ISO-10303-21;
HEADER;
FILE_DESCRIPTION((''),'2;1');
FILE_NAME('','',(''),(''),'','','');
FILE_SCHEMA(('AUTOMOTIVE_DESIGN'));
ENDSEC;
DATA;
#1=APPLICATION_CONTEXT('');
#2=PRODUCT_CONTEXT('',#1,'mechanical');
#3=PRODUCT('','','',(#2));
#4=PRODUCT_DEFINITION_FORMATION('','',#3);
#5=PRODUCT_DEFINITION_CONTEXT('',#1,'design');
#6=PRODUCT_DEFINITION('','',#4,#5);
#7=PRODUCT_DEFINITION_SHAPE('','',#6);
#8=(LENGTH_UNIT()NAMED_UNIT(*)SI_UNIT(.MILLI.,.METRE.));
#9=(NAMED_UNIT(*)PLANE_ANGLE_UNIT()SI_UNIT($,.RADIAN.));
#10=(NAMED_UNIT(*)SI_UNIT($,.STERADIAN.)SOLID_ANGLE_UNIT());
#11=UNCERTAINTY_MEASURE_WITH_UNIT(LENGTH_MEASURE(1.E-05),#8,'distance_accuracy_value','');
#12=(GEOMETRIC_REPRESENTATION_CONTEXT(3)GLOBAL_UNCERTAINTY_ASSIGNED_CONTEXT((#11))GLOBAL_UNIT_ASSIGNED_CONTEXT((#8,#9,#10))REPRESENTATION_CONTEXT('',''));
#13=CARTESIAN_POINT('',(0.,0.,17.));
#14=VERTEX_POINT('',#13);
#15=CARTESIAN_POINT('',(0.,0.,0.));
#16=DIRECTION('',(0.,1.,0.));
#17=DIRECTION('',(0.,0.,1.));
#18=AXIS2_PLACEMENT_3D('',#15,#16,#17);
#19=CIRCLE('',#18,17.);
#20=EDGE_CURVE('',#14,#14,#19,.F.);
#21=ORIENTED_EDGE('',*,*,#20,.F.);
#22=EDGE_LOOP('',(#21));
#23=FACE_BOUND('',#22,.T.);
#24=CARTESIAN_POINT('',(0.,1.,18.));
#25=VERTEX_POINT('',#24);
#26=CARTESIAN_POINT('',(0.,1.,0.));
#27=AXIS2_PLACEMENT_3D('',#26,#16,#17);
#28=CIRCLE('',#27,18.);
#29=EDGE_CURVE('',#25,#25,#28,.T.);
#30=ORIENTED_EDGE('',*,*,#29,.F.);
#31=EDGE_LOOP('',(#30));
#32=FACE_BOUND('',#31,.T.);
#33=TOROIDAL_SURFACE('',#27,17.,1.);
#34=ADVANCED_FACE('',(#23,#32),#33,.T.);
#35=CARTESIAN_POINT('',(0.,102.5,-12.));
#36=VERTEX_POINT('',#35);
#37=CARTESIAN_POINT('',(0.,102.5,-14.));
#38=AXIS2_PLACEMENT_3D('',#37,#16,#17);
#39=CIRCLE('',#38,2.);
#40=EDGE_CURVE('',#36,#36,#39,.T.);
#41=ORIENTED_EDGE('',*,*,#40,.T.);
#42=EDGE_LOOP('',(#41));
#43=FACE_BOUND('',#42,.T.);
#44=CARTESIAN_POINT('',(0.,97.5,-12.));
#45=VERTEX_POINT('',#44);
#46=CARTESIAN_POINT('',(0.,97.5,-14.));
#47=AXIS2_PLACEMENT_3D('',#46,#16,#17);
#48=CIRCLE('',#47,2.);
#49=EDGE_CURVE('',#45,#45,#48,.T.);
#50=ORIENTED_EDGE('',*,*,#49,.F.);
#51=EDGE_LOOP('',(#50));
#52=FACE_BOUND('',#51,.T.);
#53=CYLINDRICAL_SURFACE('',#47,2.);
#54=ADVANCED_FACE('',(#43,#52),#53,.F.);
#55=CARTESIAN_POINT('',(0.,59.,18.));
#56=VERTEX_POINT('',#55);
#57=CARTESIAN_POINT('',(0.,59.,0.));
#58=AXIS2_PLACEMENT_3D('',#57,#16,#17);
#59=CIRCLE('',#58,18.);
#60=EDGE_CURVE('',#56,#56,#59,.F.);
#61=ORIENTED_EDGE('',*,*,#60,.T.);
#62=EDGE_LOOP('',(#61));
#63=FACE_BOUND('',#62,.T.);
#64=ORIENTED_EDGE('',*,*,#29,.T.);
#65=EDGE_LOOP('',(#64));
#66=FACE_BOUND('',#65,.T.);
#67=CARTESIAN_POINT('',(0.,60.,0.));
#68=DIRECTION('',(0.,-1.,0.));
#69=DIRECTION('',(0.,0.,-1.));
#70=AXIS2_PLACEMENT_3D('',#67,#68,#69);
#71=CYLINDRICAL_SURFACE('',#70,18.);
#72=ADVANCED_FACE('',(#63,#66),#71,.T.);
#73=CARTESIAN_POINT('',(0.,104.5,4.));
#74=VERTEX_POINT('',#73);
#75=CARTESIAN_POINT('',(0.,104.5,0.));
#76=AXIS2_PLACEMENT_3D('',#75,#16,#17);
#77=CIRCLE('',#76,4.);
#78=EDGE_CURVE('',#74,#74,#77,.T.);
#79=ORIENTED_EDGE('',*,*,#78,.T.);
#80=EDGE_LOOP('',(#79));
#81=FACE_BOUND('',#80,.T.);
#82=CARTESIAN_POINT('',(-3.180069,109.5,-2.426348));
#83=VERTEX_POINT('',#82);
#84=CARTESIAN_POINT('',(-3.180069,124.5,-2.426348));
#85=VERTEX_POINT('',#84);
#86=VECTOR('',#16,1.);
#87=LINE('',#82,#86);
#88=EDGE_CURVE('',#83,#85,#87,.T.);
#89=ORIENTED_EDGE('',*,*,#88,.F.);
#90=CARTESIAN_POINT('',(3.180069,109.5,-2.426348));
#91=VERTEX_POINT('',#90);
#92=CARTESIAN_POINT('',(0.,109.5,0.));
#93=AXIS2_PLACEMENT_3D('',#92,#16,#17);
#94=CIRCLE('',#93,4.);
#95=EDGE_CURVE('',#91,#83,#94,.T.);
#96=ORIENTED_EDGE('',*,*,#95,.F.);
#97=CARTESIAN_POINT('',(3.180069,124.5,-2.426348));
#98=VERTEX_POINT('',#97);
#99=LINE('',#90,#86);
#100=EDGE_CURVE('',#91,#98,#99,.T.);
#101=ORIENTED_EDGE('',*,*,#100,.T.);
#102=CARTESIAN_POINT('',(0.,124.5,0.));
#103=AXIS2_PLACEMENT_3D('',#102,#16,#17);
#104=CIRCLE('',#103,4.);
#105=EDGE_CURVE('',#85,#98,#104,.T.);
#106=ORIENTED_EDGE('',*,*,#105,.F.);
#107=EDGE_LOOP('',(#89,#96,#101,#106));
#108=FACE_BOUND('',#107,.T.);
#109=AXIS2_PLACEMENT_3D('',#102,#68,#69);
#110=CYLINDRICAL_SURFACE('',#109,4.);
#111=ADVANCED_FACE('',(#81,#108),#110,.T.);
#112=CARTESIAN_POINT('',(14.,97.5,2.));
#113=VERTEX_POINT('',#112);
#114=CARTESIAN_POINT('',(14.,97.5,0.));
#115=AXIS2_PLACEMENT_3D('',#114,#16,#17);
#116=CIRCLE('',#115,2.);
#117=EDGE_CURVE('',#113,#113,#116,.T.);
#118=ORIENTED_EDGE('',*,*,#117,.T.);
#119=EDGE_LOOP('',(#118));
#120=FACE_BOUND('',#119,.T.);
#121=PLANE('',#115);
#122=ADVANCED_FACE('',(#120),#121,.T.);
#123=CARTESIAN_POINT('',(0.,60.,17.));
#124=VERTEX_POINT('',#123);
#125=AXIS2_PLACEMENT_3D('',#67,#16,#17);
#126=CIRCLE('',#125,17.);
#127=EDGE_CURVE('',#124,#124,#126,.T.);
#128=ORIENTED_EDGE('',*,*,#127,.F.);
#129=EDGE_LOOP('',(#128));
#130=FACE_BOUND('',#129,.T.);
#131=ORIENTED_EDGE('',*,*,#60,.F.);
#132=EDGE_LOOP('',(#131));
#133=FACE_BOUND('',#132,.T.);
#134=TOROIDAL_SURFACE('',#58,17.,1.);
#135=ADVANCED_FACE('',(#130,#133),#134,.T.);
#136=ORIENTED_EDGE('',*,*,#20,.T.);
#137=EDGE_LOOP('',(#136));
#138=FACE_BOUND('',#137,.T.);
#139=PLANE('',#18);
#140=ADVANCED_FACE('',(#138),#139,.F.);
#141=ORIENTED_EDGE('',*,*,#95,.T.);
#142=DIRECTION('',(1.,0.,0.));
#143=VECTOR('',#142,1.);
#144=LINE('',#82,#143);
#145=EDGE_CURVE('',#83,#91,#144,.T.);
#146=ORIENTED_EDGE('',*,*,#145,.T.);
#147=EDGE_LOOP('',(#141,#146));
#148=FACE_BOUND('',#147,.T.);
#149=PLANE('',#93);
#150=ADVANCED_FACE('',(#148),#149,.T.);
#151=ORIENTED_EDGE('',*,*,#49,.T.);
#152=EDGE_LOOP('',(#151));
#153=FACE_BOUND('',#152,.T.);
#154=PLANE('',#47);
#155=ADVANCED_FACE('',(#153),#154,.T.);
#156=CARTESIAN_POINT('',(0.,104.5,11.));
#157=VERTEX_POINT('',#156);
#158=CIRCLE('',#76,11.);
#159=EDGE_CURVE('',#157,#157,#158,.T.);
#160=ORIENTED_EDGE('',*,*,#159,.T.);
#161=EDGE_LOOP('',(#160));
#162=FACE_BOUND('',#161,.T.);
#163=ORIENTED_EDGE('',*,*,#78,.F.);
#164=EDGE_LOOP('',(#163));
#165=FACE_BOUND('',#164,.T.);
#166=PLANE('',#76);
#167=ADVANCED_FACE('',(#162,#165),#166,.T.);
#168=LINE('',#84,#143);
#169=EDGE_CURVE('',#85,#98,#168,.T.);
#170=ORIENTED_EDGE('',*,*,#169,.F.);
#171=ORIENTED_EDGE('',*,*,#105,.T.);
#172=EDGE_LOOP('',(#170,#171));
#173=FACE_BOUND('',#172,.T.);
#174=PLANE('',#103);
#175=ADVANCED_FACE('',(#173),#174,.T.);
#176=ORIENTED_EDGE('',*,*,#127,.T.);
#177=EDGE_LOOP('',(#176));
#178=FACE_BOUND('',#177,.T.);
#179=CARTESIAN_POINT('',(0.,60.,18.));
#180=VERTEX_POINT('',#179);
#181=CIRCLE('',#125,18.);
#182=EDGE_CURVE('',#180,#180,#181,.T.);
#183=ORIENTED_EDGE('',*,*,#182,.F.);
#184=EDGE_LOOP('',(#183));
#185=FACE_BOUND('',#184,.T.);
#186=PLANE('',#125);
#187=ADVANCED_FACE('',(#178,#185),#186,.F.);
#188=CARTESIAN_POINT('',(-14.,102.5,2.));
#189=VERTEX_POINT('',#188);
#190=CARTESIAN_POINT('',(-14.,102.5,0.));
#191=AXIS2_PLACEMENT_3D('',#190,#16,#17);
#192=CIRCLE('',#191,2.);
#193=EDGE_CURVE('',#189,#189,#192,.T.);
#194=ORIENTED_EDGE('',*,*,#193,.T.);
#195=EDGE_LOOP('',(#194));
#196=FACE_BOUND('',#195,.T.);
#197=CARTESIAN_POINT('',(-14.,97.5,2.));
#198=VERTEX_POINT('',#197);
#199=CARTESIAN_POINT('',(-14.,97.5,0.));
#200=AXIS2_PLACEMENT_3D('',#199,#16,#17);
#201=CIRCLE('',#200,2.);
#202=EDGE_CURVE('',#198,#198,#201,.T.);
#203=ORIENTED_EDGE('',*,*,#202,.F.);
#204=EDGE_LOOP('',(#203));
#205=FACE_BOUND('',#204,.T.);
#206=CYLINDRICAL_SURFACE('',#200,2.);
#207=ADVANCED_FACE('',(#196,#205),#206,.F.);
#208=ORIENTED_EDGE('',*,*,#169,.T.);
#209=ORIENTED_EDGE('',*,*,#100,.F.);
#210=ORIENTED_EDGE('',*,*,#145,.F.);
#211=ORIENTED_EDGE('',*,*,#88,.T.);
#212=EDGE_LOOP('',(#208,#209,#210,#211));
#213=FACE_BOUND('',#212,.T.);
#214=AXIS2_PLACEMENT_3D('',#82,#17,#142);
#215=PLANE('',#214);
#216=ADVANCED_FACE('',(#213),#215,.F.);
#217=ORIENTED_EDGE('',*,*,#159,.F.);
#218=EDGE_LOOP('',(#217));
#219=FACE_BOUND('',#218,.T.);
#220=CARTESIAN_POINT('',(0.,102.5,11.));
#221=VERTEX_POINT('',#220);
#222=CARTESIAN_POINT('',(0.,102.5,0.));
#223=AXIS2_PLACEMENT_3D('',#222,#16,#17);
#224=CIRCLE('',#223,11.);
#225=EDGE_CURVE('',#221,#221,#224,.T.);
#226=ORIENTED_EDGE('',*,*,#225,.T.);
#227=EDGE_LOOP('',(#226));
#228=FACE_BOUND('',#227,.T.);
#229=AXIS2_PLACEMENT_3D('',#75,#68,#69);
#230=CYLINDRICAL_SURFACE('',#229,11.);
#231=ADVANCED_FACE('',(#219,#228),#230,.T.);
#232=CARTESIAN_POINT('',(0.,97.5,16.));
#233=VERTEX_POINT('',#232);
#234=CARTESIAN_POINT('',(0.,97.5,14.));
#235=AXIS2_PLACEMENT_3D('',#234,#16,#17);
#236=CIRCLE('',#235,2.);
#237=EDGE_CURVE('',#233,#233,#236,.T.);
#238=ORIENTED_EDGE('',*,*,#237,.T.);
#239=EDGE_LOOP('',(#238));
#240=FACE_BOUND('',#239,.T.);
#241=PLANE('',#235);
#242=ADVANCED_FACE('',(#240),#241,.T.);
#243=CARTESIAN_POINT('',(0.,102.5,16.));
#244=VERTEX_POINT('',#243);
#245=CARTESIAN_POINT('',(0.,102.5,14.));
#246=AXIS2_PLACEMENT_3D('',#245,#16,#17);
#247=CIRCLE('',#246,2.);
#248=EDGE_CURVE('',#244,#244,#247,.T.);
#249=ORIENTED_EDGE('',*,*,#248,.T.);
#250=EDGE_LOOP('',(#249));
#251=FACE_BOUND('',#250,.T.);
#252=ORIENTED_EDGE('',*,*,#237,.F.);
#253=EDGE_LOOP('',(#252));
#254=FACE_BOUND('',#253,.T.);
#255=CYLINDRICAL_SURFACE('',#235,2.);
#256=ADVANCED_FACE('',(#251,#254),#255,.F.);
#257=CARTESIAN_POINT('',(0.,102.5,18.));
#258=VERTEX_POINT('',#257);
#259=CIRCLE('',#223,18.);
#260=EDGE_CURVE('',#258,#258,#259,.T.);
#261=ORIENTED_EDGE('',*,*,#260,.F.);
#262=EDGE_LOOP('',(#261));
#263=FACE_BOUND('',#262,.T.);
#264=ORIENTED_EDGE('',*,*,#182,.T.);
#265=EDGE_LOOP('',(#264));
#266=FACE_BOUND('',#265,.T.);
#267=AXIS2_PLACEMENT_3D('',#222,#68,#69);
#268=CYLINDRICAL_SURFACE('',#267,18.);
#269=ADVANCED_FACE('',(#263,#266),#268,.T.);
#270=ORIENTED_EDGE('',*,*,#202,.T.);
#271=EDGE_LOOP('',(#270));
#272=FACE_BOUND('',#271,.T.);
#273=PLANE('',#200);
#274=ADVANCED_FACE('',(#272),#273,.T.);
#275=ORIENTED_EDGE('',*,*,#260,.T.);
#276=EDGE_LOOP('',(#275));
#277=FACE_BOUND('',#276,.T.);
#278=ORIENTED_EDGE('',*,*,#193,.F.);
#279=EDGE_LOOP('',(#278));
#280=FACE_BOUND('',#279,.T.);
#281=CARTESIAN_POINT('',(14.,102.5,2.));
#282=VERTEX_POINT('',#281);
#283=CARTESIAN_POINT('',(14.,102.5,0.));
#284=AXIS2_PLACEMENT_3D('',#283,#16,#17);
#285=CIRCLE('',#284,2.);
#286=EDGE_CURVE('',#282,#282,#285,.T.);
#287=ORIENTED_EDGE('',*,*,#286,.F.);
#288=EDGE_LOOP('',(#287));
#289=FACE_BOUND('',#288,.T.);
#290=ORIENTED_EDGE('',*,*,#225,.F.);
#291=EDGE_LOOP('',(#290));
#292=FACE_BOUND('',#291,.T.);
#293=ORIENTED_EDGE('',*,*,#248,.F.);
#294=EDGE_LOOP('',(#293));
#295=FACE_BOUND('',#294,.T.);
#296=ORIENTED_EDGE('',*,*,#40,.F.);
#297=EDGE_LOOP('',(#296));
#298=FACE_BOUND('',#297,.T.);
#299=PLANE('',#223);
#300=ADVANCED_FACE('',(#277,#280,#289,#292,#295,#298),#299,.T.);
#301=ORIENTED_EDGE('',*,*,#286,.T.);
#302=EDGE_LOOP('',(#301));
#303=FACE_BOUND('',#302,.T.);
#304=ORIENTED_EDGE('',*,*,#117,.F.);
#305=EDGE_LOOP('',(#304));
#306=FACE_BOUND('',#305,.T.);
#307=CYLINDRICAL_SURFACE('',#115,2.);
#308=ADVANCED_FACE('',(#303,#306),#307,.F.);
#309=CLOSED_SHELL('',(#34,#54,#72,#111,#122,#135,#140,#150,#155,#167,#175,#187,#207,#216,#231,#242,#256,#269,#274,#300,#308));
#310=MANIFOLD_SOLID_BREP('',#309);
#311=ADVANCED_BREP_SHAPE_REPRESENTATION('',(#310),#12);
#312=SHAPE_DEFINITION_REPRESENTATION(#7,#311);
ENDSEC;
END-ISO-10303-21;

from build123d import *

# Parameters (mm, degrees)
SKETCH_1_R          = 18
EXTRUDE_1_DEPTH     = 60
FILLET_1_R          = 1
SKETCH_3_R          = 18
EXTRUDE_2_DEPTH     = 42.5
SKETCH_4_R          = 11
EXTRUDE_3_DEPTH     = 2
SKETCH_5_R          = 4
EXTRUDE_4_DEPTH     = 20
CUT_EXTRUDE_START   = -15
CUT_EXTRUDE_1_DEPTH = 15
SKETCH_7_R          = 2
CUT_EXTRUDE_2_DEPTH = 5


with BuildPart() as part:
    # 草图1 → 凸台-拉伸1 (new body)
    with BuildSketch(Plane(origin=(0, 0, 0), x_dir=(1, 0, 0), z_dir=(0, 1, 0))):
        with Locations(Location((0, 0, 0), (0, 0, 270))):
            Circle(SKETCH_1_R)
    extrude(amount=EXTRUDE_1_DEPTH)

    # 圆角1
    fillet_1_edges = [part.edges().sort_by_distance(p)[0] for p in [
        (0, 0, -18),
        (0, 60, -18),
    ]]
    fillet(fillet_1_edges, radius=FILLET_1_R)

    # 草图3 → 凸台-拉伸2 (add)
    with BuildSketch(Plane(origin=(0, 60, 0), x_dir=(1, 0, 0), z_dir=(0, 1, 0))):
        with Locations(Location((0, 0, 0), (0, 0, 270))):
            Circle(SKETCH_3_R)
    extrude(amount=EXTRUDE_2_DEPTH)

    # 草图4 → 凸台-拉伸3 (add)
    with BuildSketch(Plane(origin=(0, 102.5, 0), x_dir=(1, 0, 0), z_dir=(0, 1, 0))):
        with Locations(Location((0, 0, 0), (0, 0, 270))):
            Circle(SKETCH_4_R)
    extrude(amount=EXTRUDE_3_DEPTH)

    # 草图5 → 凸台-拉伸4 (add)
    with BuildSketch(Plane(origin=(0, 104.5, 0), x_dir=(1, 0, 0), z_dir=(0, 1, 0))):
        with Locations(Location((0, 0, 0), (0, 0, 270))):
            Circle(SKETCH_5_R)
    extrude(amount=EXTRUDE_4_DEPTH)

    # 草图6 → 切除-拉伸1 (cut)
    with BuildSketch(Plane(origin=(0, 124.5, 0), x_dir=(1, 0, 0), z_dir=(0, 1, 0)).offset(CUT_EXTRUDE_START)):
        with BuildLine():
            Line((-3.180068641, 2.426347758), (3.180068641, 2.426347758))
            ThreePointArc((3.180068641, 2.426347758), (0, 4), (-3.180068641, 2.426347758))
        make_face()
    extrude(amount=CUT_EXTRUDE_1_DEPTH, mode=Mode.SUBTRACT)

    # 草图7 → 切除-拉伸2 (cut)
    with BuildSketch(Plane(origin=(0, 102.5, 0), x_dir=(1, 0, 0), z_dir=(0, 1, 0))):
        with Locations(Location((0, 14, 0), (0, 0, 270))):
            Circle(SKETCH_7_R)
        with Locations(Location((14, 0, 0), (0, 0, 270))):
            Circle(SKETCH_7_R)
        with Locations(Location((0, -14, 0), (0, 0, 270))):
            Circle(SKETCH_7_R)
        with Locations(Location((-14, 0, 0), (0, 0, 270))):
            Circle(SKETCH_7_R)
    extrude(amount=-CUT_EXTRUDE_2_DEPTH, mode=Mode.SUBTRACT)


solid = part.part
